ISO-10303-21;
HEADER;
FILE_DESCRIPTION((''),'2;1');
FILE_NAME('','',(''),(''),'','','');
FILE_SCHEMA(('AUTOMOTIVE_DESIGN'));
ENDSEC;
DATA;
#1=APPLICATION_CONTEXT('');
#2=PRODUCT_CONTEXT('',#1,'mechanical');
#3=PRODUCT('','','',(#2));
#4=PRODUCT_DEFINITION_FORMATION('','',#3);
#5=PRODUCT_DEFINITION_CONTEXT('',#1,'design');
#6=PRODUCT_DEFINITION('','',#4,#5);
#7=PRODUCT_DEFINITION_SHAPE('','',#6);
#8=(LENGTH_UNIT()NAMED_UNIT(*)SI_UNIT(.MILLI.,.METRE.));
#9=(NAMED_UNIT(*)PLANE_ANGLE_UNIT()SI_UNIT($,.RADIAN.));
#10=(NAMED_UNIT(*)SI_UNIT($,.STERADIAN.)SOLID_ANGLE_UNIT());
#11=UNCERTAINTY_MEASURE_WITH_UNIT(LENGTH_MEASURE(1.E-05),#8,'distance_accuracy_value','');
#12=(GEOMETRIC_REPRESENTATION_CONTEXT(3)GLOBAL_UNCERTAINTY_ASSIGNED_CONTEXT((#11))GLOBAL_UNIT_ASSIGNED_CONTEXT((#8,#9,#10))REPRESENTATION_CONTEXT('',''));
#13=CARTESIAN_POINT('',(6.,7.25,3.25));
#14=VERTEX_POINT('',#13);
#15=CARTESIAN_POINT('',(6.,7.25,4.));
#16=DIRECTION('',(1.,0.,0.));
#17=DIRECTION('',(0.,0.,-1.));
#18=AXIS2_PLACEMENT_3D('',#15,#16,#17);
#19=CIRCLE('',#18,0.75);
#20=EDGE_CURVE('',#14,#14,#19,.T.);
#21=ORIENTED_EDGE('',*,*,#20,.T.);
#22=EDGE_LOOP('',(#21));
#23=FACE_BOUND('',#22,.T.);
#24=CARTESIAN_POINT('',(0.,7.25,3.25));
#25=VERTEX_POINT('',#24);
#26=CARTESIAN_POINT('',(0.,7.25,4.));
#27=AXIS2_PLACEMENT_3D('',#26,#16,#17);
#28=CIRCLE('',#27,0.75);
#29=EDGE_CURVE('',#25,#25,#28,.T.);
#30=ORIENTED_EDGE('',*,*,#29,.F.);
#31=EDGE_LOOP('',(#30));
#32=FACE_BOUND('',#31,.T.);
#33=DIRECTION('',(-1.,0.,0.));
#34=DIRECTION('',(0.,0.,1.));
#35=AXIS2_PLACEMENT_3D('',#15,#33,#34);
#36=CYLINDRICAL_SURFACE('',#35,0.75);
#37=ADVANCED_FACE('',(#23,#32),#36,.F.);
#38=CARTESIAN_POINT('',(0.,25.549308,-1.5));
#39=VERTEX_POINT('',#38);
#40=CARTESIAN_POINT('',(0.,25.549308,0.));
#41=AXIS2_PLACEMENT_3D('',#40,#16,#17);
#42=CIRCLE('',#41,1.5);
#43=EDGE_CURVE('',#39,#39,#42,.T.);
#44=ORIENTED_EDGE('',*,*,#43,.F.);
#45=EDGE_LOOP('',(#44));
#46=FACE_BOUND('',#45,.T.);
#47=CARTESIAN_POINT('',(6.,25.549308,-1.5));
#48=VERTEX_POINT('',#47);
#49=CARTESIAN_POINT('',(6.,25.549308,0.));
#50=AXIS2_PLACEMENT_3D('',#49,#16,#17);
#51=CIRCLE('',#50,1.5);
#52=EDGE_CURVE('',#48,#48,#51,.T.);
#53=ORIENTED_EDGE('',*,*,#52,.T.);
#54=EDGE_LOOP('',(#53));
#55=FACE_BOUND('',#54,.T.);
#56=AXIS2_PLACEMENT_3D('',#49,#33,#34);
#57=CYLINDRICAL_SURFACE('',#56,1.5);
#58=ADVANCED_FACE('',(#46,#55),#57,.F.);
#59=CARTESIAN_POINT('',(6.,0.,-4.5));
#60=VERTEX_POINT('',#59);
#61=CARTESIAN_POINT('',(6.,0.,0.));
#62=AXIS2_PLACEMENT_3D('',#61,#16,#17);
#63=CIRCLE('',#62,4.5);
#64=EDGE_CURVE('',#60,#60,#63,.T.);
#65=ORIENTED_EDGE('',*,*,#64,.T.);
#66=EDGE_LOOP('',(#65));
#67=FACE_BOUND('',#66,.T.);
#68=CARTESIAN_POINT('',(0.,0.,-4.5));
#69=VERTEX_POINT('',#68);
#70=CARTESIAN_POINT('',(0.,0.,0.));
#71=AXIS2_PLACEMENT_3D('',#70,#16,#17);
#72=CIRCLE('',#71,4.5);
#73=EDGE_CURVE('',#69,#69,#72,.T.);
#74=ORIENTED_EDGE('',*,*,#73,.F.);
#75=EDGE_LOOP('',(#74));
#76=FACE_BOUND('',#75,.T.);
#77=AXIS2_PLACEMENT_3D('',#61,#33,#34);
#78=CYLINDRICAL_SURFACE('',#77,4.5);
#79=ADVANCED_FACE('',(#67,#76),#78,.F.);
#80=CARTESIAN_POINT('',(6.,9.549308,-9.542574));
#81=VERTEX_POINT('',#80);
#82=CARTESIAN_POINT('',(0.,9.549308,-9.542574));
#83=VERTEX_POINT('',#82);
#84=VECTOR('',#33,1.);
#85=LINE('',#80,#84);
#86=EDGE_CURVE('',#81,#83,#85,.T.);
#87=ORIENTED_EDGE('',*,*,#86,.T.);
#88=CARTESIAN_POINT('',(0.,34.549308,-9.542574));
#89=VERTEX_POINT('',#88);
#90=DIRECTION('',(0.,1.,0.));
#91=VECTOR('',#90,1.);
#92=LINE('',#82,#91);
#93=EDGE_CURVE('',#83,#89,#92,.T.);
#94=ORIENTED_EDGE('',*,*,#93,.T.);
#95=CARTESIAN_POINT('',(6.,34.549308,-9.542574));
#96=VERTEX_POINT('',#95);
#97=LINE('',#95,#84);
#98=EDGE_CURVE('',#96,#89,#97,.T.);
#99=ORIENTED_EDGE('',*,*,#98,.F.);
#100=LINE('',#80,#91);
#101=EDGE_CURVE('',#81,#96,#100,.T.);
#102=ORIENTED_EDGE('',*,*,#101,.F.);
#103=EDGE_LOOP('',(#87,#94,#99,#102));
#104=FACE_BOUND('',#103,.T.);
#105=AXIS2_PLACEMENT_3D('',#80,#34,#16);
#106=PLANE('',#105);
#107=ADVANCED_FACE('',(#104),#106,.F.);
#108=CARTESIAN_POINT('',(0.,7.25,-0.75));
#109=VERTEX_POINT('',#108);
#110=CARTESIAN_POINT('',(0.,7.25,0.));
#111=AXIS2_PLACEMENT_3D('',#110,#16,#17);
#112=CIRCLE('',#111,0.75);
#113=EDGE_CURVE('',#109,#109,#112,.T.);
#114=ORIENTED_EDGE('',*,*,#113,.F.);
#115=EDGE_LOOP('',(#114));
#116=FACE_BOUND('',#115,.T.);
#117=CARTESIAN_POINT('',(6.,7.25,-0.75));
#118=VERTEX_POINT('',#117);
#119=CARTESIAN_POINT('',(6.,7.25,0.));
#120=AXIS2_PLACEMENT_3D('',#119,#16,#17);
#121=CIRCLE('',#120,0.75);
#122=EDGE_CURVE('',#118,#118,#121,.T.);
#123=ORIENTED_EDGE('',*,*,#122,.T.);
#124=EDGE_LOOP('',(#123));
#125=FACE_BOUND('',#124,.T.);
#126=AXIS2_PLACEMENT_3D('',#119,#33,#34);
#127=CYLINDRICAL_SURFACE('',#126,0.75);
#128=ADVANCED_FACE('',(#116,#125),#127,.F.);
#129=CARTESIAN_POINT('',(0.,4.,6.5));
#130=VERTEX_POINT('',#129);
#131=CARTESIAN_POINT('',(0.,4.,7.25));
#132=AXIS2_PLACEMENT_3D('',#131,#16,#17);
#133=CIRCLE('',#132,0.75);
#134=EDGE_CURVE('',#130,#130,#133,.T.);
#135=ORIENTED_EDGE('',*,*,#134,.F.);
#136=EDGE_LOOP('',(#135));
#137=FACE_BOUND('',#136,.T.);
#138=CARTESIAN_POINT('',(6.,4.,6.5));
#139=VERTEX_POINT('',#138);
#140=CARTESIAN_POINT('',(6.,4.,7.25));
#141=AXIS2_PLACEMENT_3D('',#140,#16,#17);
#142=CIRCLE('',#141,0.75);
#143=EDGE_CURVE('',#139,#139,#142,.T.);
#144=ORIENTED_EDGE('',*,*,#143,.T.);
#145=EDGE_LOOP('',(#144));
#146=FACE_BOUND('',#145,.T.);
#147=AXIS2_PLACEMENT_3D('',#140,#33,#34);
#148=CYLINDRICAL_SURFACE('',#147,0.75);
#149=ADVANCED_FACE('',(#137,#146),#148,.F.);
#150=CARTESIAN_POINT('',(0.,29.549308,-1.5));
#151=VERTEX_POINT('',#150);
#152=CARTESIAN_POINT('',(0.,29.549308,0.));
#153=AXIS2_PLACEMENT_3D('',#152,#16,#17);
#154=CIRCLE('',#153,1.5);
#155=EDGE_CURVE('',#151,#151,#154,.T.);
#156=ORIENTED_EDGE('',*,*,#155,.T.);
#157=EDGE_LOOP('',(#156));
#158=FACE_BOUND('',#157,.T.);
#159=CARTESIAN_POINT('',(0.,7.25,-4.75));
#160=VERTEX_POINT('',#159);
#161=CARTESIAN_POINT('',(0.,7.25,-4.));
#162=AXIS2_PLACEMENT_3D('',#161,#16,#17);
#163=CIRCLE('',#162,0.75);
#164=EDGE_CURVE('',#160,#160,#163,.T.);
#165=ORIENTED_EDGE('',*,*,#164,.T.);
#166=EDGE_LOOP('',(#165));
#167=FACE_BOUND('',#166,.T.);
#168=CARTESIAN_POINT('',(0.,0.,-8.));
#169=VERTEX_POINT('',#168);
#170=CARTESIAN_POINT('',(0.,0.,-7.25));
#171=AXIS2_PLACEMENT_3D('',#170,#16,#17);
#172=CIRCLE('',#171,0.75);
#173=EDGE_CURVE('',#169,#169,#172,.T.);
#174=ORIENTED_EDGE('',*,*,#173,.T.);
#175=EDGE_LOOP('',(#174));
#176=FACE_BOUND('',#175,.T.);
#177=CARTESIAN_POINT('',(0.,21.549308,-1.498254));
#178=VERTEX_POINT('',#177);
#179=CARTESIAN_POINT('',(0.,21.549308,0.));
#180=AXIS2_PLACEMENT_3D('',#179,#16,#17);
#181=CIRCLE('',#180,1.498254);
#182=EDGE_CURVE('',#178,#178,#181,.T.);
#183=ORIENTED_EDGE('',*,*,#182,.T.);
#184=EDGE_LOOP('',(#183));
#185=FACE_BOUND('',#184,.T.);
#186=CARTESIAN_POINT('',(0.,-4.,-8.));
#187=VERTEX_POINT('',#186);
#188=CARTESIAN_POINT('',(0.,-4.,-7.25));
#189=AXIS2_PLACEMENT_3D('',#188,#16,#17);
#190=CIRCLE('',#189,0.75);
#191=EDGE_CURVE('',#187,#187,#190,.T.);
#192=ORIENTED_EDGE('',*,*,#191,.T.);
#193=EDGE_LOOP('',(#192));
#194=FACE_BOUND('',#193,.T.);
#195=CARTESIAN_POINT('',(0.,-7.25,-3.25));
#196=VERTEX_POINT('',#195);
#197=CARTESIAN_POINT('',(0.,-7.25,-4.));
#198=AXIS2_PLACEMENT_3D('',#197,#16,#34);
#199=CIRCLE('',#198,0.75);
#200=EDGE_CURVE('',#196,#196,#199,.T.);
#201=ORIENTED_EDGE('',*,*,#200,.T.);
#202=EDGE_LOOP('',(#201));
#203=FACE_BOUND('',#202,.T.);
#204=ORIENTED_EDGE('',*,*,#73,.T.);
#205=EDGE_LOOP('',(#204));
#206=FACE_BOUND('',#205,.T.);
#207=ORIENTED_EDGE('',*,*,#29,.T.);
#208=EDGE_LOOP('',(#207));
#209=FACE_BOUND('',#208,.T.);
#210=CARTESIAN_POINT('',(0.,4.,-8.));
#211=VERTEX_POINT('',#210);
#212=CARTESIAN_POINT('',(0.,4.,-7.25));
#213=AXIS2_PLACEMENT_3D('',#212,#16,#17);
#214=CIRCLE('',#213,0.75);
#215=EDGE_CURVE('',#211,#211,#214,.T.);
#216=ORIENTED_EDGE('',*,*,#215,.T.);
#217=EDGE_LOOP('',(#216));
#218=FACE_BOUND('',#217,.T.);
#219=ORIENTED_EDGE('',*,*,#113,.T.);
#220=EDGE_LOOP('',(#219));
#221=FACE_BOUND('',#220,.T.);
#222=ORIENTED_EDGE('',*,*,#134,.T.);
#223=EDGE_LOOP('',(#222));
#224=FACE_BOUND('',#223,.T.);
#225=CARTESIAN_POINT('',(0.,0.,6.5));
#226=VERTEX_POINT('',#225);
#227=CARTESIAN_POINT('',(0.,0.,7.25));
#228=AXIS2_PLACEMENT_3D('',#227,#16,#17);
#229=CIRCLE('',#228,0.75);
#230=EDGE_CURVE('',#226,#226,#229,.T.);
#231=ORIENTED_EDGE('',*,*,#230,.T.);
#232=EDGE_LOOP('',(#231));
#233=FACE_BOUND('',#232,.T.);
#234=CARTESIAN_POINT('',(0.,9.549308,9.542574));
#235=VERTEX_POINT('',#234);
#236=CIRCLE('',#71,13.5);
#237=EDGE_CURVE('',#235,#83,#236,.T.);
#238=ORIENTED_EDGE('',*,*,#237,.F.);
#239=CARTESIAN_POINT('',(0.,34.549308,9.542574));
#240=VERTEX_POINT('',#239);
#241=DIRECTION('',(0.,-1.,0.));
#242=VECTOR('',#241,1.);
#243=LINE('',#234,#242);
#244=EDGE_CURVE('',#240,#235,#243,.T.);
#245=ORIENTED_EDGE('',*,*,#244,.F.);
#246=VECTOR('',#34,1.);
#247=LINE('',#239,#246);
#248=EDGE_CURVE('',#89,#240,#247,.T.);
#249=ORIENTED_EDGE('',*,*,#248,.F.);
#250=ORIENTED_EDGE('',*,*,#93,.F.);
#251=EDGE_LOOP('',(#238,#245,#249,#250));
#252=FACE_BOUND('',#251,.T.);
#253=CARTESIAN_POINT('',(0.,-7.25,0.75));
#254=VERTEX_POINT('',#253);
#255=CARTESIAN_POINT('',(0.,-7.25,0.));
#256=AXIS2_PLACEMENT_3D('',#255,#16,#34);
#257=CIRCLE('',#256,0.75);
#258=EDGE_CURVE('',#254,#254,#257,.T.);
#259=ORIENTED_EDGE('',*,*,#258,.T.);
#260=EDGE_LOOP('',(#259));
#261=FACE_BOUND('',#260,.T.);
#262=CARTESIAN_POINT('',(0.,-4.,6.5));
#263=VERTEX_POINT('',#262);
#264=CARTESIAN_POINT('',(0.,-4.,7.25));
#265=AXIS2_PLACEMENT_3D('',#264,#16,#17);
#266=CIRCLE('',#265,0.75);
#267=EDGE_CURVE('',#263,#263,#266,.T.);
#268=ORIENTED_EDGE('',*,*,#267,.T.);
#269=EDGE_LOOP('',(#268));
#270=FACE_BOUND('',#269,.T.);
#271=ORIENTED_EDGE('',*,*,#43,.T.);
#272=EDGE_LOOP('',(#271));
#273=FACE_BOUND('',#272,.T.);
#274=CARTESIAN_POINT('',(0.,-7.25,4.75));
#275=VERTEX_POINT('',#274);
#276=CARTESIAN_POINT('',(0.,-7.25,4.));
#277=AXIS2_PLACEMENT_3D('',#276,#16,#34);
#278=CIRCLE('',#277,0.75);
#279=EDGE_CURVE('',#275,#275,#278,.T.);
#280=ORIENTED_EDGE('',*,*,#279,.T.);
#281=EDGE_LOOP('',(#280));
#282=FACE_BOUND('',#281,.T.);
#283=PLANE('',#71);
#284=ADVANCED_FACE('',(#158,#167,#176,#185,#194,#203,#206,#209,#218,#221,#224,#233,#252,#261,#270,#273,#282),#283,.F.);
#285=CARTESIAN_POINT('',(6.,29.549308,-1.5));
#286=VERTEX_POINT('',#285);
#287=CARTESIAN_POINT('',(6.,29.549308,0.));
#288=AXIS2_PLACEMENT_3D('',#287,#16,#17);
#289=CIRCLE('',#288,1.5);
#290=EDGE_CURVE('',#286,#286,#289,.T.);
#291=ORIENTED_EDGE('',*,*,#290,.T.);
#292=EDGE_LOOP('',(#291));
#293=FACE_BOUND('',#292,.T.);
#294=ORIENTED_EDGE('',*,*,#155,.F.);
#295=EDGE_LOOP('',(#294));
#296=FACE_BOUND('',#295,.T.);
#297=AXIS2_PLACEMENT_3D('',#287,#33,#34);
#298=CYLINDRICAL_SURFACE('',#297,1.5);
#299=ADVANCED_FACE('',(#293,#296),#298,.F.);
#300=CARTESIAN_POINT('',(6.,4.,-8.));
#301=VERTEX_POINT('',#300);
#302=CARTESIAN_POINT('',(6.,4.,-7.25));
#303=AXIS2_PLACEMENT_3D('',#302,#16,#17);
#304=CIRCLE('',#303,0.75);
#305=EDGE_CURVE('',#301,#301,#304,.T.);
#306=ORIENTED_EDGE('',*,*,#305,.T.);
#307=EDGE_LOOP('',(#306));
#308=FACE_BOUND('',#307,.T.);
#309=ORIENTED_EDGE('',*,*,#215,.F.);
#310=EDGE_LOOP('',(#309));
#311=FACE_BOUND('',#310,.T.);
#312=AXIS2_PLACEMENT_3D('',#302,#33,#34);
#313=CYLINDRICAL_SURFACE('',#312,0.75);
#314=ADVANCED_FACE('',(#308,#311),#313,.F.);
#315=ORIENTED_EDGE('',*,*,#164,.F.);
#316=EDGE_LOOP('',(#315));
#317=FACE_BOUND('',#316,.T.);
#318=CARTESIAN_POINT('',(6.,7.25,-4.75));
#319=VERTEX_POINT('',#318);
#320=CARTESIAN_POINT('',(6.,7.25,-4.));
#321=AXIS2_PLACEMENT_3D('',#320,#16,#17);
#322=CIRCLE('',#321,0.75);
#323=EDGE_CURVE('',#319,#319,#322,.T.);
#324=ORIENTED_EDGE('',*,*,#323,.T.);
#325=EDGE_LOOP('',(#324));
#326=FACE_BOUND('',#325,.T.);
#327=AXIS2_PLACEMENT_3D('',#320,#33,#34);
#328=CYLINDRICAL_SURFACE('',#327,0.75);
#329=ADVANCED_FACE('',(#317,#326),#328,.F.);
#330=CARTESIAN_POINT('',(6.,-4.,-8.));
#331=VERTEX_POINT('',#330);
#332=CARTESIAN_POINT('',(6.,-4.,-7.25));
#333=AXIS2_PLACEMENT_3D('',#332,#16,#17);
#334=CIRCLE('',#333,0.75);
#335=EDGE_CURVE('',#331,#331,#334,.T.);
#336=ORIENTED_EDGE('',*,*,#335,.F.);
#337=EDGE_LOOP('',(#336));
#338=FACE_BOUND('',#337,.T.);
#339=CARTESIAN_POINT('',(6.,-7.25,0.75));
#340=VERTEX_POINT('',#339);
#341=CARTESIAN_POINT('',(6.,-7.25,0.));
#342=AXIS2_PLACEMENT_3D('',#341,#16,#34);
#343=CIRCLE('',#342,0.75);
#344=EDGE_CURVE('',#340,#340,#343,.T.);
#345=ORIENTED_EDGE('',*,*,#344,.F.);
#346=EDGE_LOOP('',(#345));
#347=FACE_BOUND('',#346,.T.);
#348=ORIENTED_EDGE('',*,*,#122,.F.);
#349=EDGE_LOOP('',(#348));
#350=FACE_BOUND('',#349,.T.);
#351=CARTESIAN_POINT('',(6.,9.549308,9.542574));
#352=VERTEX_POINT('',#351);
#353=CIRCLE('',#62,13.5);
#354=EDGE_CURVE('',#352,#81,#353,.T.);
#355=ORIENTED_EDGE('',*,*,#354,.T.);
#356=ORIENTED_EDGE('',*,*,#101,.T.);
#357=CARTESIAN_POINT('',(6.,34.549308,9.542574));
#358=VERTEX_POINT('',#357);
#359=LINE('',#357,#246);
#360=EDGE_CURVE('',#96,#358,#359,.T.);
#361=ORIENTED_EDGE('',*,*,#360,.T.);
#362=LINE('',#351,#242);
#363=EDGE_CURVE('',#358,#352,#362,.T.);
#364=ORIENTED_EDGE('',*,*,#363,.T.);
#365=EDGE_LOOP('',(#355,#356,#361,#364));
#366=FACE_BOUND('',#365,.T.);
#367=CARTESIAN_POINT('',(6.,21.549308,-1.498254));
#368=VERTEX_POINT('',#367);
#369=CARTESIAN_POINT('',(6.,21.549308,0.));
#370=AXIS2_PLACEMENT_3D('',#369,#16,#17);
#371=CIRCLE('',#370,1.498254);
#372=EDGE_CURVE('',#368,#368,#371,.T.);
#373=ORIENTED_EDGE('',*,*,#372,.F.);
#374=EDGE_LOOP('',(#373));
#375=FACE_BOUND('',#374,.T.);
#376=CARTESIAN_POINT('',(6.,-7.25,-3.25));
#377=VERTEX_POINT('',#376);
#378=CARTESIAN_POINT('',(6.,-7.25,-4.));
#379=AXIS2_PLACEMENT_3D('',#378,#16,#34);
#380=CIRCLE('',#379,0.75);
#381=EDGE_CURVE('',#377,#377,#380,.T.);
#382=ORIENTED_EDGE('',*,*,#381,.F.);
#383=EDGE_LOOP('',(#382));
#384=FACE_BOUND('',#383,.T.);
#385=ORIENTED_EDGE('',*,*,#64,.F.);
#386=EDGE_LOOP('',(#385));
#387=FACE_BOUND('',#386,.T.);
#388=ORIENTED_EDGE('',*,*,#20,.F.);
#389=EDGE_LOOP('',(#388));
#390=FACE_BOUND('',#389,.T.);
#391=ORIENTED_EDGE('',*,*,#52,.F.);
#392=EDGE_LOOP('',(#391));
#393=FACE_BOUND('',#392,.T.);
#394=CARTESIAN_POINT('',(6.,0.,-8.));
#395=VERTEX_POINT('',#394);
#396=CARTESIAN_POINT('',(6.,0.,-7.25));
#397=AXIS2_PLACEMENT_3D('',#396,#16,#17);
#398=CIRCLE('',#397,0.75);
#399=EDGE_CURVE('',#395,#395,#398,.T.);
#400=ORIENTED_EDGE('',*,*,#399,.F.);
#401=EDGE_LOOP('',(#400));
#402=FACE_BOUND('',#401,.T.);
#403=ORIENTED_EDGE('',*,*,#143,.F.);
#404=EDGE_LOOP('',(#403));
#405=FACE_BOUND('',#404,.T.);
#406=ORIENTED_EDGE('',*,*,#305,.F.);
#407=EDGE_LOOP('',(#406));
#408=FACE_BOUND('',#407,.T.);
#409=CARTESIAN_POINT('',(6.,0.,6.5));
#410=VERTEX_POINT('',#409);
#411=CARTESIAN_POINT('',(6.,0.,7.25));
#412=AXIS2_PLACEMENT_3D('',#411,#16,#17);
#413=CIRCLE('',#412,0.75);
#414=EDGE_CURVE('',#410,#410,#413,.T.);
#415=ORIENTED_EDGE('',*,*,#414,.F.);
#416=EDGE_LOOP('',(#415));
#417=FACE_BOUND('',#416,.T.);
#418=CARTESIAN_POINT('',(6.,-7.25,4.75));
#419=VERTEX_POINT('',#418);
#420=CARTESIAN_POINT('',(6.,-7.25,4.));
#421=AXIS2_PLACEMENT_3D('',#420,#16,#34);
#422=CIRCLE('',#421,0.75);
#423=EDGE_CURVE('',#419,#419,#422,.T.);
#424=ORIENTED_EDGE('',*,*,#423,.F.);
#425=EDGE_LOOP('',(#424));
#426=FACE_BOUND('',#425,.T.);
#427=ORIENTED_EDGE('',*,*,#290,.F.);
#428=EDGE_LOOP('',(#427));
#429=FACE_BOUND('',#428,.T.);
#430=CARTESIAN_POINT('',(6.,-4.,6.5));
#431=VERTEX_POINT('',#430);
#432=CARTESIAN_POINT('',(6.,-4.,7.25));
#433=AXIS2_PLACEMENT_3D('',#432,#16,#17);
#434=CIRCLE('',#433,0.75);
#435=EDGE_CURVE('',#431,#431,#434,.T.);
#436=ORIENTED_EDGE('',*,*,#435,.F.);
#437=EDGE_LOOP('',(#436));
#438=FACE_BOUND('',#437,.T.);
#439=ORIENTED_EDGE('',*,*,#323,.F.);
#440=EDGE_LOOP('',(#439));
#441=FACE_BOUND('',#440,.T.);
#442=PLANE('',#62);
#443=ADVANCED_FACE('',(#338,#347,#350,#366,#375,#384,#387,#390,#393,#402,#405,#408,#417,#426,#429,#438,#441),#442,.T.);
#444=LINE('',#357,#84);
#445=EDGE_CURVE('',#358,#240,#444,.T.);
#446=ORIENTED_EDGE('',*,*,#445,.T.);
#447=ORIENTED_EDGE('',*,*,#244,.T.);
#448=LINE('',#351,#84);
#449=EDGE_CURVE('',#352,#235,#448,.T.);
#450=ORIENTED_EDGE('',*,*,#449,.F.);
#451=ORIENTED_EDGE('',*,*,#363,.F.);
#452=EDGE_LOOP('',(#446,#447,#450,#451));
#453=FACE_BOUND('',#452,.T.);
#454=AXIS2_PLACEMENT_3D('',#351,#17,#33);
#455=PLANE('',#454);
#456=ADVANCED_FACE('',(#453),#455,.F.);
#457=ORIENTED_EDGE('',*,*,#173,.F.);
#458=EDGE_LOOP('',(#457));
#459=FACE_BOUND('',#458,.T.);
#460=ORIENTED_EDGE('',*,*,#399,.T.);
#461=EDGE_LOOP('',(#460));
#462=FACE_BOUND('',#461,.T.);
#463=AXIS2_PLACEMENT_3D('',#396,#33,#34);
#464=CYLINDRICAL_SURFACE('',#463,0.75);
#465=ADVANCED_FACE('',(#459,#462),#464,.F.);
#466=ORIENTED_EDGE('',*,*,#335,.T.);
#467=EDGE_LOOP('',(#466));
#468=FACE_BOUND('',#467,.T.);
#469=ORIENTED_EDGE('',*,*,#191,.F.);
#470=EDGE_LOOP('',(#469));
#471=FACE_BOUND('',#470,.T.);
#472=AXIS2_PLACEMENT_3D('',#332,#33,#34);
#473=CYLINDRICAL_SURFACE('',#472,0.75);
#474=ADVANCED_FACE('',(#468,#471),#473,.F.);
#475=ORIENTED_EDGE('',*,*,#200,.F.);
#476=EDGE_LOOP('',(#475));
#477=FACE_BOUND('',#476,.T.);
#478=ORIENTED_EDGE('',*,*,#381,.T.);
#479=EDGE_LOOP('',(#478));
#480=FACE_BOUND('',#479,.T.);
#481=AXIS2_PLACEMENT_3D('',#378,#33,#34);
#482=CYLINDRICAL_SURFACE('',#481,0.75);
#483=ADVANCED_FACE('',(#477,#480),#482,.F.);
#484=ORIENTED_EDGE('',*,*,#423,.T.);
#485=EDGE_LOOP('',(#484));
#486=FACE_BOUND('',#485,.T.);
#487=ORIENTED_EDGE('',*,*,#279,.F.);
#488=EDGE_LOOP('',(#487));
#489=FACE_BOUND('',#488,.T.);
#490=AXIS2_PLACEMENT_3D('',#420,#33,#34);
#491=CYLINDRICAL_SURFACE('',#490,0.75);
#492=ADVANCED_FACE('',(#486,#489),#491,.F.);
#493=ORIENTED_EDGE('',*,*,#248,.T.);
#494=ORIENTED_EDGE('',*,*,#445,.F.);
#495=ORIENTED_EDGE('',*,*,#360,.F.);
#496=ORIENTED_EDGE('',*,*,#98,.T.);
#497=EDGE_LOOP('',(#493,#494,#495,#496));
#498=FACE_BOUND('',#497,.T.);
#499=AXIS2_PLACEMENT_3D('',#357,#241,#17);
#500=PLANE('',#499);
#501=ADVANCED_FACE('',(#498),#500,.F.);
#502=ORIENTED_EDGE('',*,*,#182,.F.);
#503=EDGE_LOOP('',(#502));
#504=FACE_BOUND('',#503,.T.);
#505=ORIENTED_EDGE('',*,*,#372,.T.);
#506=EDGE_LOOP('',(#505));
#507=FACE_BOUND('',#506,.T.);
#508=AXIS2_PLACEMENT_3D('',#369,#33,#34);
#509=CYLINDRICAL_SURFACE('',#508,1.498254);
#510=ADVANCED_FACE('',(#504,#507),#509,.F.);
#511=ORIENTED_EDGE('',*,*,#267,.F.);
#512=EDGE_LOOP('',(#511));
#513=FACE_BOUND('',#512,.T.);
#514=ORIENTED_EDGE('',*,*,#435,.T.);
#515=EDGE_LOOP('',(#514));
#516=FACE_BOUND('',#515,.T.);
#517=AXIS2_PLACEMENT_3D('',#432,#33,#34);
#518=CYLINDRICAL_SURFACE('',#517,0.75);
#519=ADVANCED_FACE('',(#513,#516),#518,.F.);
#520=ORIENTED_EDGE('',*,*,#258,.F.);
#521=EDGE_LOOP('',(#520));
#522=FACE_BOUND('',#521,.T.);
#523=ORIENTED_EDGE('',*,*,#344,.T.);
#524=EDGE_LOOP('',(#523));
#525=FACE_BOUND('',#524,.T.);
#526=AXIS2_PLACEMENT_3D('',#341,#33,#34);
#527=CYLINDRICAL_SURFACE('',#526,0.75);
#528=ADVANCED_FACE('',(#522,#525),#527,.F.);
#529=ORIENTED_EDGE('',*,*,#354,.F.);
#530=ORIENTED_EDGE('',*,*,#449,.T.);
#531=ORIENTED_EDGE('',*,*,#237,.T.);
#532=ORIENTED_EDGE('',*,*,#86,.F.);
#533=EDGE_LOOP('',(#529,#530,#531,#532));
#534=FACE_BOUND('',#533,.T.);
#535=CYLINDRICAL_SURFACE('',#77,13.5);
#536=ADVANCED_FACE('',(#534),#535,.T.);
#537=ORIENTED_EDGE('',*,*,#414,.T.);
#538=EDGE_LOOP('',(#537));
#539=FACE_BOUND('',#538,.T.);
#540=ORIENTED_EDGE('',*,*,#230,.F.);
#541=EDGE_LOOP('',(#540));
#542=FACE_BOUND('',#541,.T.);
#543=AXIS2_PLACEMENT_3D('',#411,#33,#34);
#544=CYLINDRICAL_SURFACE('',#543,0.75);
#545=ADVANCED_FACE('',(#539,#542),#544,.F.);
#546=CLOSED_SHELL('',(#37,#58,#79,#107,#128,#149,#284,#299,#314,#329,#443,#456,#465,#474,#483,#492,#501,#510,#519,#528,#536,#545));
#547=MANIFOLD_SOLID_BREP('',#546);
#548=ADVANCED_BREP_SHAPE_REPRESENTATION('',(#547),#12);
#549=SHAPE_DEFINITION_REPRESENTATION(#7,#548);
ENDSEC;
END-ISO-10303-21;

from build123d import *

# Parameters (mm, degrees)
SKETCH1_R           = 4.5
SKETCH1_R_2         = 0.75
SKETCH1_R_3         = 1.5
SKETCH1_R_4         = 1.498254454
BOSS_EXTRUDE1_DEPTH = 6


with BuildPart() as part:
    # Sketch1 → Boss-Extrude1 (new body)
    with BuildSketch(Plane(origin=(0, 0, 0), x_dir=(0, 0, -1), z_dir=(1, 0, 0))):
        with BuildLine():
            Line((-9.542574057, 9.549307848), (-9.542574057, 34.549307848))
            Line((-9.542574057, 34.549307848), (9.542574057, 34.549307848))
            Line((9.542574057, 34.549307848), (9.542574057, 9.549307848))
            ThreePointArc((9.542574057, 9.549307848), (0, -13.5), (-9.542574057, 9.549307848))
        make_face()
        Circle(SKETCH1_R, mode=Mode.SUBTRACT)
        with Locations((0, 7.25)):
            Circle(SKETCH1_R_2, mode=Mode.SUBTRACT)
        with Locations((4, 7.25)):
            Circle(SKETCH1_R_2, mode=Mode.SUBTRACT)
        with Locations((-4, 7.25)):
            Circle(SKETCH1_R_2, mode=Mode.SUBTRACT)
        with Locations(Location((4, -7.25, 0), (0, 0, 180))):
            Circle(SKETCH1_R_2, mode=Mode.SUBTRACT)
        with Locations(Location((0, -7.25, 0), (0, 0, 180))):
            Circle(SKETCH1_R_2, mode=Mode.SUBTRACT)
        with Locations(Location((-4, -7.25, 0), (0, 0, 180))):
            Circle(SKETCH1_R_2, mode=Mode.SUBTRACT)
        with Locations((7.25, -4)):
            Circle(SKETCH1_R_2, mode=Mode.SUBTRACT)
        with Locations((7.25, 0)):
            Circle(SKETCH1_R_2, mode=Mode.SUBTRACT)
        with Locations((7.25, 4)):
            Circle(SKETCH1_R_2, mode=Mode.SUBTRACT)
        with Locations((-7.25, 4)):
            Circle(SKETCH1_R_2, mode=Mode.SUBTRACT)
        with Locations((-7.25, 0)):
            Circle(SKETCH1_R_2, mode=Mode.SUBTRACT)
        with Locations((-7.25, -4)):
            Circle(SKETCH1_R_2, mode=Mode.SUBTRACT)
        with Locations((0, 29.549307848)):
            Circle(SKETCH1_R_3, mode=Mode.SUBTRACT)
        with Locations((0, 25.549307848)):
            Circle(SKETCH1_R_3, mode=Mode.SUBTRACT)
        with Locations((0, 21.549307848)):
            Circle(SKETCH1_R_4, mode=Mode.SUBTRACT)
    extrude(amount=BOSS_EXTRUDE1_DEPTH)


solid = part.part
